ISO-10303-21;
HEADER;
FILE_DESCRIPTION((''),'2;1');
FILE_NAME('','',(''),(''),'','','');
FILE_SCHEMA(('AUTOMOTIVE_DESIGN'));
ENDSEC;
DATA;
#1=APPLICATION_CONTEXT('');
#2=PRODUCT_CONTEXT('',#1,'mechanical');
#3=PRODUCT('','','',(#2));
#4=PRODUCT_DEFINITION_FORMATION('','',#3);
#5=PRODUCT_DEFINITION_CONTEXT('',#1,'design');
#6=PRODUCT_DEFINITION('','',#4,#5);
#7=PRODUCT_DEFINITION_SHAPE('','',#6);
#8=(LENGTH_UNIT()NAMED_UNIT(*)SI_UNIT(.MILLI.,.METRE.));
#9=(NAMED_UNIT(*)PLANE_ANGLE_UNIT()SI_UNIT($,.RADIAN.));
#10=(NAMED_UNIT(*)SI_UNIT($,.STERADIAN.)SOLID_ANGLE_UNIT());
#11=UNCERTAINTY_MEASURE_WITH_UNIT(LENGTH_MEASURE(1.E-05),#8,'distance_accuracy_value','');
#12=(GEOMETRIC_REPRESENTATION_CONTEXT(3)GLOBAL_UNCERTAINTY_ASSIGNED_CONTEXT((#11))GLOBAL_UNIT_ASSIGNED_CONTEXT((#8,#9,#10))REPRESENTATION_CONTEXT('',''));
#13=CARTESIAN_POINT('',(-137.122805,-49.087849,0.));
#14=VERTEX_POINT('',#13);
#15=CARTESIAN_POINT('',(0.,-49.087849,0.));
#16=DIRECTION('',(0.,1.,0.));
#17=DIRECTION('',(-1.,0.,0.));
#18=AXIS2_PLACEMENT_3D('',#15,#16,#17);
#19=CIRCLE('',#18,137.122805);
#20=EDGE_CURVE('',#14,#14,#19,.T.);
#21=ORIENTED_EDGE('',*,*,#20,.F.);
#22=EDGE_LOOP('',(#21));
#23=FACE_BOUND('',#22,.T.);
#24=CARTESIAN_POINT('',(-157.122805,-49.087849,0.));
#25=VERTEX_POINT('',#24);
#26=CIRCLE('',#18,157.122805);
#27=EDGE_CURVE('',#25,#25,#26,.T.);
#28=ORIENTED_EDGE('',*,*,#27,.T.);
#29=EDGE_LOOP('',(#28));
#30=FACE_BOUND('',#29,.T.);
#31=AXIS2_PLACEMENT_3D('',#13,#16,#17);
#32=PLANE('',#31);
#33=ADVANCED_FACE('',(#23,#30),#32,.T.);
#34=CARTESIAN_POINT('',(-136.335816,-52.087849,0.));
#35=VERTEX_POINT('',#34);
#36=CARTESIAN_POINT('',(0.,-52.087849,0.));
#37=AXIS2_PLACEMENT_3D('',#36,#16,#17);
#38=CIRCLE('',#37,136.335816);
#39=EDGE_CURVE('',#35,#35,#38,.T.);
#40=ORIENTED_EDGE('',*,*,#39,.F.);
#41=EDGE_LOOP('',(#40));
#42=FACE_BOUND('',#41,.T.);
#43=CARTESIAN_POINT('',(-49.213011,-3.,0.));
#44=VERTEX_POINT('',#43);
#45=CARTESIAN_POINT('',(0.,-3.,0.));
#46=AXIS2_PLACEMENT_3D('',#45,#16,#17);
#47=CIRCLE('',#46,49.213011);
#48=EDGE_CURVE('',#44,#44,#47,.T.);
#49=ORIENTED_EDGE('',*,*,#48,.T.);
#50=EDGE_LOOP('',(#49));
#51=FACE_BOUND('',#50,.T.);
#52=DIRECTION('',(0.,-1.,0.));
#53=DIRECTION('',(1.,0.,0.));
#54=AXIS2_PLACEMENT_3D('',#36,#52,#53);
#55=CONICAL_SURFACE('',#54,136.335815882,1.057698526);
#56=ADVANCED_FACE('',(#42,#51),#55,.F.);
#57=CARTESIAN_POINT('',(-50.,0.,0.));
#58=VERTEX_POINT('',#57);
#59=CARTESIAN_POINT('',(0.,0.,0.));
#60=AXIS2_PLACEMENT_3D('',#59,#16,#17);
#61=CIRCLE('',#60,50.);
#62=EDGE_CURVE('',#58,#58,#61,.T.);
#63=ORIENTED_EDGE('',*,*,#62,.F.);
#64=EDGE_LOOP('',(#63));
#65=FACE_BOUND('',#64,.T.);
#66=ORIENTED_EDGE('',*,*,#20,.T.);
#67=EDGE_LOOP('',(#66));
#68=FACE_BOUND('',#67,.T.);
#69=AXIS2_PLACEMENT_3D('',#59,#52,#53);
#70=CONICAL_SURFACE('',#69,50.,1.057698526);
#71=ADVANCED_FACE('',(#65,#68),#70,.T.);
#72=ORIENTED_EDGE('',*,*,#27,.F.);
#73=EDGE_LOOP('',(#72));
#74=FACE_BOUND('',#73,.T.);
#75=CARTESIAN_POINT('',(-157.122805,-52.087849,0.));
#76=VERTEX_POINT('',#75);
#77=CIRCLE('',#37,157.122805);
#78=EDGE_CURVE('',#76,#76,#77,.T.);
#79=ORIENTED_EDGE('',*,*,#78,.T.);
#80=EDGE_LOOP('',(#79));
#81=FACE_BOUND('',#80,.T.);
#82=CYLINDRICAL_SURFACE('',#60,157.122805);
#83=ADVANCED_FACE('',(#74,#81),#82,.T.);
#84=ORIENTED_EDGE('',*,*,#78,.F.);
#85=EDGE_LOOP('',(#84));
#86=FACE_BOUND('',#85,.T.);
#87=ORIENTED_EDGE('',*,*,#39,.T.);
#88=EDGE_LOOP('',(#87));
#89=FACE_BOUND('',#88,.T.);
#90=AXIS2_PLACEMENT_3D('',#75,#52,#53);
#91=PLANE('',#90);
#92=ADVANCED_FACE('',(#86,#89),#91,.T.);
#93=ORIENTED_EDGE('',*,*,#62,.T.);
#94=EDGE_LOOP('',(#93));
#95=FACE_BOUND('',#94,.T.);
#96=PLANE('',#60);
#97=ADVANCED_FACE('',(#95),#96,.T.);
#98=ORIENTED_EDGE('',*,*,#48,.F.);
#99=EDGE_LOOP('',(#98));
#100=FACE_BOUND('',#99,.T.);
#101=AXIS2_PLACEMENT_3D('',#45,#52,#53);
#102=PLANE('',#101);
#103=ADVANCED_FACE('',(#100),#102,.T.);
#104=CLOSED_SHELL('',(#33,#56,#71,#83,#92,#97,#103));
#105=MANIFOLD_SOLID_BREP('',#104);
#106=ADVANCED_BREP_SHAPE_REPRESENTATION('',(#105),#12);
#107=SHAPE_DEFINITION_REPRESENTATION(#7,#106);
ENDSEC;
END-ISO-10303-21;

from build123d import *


with BuildPart() as part:
    # Sketch4 → Revolve5 (revolve)
    with BuildSketch(Plane.XY):
        Polygon((0, 0), (0, -3), (-49.213011226, -3), (-136.335815882, -52.087848892), (-157.122804656, -52.087848892), (-157.122804656, -49.087848892), (-137.122804656, -49.087848892), (-50, 0), align=None)
    revolve(axis=Axis((0, 0, 0), (0, -1, 0)))


solid = part.part
